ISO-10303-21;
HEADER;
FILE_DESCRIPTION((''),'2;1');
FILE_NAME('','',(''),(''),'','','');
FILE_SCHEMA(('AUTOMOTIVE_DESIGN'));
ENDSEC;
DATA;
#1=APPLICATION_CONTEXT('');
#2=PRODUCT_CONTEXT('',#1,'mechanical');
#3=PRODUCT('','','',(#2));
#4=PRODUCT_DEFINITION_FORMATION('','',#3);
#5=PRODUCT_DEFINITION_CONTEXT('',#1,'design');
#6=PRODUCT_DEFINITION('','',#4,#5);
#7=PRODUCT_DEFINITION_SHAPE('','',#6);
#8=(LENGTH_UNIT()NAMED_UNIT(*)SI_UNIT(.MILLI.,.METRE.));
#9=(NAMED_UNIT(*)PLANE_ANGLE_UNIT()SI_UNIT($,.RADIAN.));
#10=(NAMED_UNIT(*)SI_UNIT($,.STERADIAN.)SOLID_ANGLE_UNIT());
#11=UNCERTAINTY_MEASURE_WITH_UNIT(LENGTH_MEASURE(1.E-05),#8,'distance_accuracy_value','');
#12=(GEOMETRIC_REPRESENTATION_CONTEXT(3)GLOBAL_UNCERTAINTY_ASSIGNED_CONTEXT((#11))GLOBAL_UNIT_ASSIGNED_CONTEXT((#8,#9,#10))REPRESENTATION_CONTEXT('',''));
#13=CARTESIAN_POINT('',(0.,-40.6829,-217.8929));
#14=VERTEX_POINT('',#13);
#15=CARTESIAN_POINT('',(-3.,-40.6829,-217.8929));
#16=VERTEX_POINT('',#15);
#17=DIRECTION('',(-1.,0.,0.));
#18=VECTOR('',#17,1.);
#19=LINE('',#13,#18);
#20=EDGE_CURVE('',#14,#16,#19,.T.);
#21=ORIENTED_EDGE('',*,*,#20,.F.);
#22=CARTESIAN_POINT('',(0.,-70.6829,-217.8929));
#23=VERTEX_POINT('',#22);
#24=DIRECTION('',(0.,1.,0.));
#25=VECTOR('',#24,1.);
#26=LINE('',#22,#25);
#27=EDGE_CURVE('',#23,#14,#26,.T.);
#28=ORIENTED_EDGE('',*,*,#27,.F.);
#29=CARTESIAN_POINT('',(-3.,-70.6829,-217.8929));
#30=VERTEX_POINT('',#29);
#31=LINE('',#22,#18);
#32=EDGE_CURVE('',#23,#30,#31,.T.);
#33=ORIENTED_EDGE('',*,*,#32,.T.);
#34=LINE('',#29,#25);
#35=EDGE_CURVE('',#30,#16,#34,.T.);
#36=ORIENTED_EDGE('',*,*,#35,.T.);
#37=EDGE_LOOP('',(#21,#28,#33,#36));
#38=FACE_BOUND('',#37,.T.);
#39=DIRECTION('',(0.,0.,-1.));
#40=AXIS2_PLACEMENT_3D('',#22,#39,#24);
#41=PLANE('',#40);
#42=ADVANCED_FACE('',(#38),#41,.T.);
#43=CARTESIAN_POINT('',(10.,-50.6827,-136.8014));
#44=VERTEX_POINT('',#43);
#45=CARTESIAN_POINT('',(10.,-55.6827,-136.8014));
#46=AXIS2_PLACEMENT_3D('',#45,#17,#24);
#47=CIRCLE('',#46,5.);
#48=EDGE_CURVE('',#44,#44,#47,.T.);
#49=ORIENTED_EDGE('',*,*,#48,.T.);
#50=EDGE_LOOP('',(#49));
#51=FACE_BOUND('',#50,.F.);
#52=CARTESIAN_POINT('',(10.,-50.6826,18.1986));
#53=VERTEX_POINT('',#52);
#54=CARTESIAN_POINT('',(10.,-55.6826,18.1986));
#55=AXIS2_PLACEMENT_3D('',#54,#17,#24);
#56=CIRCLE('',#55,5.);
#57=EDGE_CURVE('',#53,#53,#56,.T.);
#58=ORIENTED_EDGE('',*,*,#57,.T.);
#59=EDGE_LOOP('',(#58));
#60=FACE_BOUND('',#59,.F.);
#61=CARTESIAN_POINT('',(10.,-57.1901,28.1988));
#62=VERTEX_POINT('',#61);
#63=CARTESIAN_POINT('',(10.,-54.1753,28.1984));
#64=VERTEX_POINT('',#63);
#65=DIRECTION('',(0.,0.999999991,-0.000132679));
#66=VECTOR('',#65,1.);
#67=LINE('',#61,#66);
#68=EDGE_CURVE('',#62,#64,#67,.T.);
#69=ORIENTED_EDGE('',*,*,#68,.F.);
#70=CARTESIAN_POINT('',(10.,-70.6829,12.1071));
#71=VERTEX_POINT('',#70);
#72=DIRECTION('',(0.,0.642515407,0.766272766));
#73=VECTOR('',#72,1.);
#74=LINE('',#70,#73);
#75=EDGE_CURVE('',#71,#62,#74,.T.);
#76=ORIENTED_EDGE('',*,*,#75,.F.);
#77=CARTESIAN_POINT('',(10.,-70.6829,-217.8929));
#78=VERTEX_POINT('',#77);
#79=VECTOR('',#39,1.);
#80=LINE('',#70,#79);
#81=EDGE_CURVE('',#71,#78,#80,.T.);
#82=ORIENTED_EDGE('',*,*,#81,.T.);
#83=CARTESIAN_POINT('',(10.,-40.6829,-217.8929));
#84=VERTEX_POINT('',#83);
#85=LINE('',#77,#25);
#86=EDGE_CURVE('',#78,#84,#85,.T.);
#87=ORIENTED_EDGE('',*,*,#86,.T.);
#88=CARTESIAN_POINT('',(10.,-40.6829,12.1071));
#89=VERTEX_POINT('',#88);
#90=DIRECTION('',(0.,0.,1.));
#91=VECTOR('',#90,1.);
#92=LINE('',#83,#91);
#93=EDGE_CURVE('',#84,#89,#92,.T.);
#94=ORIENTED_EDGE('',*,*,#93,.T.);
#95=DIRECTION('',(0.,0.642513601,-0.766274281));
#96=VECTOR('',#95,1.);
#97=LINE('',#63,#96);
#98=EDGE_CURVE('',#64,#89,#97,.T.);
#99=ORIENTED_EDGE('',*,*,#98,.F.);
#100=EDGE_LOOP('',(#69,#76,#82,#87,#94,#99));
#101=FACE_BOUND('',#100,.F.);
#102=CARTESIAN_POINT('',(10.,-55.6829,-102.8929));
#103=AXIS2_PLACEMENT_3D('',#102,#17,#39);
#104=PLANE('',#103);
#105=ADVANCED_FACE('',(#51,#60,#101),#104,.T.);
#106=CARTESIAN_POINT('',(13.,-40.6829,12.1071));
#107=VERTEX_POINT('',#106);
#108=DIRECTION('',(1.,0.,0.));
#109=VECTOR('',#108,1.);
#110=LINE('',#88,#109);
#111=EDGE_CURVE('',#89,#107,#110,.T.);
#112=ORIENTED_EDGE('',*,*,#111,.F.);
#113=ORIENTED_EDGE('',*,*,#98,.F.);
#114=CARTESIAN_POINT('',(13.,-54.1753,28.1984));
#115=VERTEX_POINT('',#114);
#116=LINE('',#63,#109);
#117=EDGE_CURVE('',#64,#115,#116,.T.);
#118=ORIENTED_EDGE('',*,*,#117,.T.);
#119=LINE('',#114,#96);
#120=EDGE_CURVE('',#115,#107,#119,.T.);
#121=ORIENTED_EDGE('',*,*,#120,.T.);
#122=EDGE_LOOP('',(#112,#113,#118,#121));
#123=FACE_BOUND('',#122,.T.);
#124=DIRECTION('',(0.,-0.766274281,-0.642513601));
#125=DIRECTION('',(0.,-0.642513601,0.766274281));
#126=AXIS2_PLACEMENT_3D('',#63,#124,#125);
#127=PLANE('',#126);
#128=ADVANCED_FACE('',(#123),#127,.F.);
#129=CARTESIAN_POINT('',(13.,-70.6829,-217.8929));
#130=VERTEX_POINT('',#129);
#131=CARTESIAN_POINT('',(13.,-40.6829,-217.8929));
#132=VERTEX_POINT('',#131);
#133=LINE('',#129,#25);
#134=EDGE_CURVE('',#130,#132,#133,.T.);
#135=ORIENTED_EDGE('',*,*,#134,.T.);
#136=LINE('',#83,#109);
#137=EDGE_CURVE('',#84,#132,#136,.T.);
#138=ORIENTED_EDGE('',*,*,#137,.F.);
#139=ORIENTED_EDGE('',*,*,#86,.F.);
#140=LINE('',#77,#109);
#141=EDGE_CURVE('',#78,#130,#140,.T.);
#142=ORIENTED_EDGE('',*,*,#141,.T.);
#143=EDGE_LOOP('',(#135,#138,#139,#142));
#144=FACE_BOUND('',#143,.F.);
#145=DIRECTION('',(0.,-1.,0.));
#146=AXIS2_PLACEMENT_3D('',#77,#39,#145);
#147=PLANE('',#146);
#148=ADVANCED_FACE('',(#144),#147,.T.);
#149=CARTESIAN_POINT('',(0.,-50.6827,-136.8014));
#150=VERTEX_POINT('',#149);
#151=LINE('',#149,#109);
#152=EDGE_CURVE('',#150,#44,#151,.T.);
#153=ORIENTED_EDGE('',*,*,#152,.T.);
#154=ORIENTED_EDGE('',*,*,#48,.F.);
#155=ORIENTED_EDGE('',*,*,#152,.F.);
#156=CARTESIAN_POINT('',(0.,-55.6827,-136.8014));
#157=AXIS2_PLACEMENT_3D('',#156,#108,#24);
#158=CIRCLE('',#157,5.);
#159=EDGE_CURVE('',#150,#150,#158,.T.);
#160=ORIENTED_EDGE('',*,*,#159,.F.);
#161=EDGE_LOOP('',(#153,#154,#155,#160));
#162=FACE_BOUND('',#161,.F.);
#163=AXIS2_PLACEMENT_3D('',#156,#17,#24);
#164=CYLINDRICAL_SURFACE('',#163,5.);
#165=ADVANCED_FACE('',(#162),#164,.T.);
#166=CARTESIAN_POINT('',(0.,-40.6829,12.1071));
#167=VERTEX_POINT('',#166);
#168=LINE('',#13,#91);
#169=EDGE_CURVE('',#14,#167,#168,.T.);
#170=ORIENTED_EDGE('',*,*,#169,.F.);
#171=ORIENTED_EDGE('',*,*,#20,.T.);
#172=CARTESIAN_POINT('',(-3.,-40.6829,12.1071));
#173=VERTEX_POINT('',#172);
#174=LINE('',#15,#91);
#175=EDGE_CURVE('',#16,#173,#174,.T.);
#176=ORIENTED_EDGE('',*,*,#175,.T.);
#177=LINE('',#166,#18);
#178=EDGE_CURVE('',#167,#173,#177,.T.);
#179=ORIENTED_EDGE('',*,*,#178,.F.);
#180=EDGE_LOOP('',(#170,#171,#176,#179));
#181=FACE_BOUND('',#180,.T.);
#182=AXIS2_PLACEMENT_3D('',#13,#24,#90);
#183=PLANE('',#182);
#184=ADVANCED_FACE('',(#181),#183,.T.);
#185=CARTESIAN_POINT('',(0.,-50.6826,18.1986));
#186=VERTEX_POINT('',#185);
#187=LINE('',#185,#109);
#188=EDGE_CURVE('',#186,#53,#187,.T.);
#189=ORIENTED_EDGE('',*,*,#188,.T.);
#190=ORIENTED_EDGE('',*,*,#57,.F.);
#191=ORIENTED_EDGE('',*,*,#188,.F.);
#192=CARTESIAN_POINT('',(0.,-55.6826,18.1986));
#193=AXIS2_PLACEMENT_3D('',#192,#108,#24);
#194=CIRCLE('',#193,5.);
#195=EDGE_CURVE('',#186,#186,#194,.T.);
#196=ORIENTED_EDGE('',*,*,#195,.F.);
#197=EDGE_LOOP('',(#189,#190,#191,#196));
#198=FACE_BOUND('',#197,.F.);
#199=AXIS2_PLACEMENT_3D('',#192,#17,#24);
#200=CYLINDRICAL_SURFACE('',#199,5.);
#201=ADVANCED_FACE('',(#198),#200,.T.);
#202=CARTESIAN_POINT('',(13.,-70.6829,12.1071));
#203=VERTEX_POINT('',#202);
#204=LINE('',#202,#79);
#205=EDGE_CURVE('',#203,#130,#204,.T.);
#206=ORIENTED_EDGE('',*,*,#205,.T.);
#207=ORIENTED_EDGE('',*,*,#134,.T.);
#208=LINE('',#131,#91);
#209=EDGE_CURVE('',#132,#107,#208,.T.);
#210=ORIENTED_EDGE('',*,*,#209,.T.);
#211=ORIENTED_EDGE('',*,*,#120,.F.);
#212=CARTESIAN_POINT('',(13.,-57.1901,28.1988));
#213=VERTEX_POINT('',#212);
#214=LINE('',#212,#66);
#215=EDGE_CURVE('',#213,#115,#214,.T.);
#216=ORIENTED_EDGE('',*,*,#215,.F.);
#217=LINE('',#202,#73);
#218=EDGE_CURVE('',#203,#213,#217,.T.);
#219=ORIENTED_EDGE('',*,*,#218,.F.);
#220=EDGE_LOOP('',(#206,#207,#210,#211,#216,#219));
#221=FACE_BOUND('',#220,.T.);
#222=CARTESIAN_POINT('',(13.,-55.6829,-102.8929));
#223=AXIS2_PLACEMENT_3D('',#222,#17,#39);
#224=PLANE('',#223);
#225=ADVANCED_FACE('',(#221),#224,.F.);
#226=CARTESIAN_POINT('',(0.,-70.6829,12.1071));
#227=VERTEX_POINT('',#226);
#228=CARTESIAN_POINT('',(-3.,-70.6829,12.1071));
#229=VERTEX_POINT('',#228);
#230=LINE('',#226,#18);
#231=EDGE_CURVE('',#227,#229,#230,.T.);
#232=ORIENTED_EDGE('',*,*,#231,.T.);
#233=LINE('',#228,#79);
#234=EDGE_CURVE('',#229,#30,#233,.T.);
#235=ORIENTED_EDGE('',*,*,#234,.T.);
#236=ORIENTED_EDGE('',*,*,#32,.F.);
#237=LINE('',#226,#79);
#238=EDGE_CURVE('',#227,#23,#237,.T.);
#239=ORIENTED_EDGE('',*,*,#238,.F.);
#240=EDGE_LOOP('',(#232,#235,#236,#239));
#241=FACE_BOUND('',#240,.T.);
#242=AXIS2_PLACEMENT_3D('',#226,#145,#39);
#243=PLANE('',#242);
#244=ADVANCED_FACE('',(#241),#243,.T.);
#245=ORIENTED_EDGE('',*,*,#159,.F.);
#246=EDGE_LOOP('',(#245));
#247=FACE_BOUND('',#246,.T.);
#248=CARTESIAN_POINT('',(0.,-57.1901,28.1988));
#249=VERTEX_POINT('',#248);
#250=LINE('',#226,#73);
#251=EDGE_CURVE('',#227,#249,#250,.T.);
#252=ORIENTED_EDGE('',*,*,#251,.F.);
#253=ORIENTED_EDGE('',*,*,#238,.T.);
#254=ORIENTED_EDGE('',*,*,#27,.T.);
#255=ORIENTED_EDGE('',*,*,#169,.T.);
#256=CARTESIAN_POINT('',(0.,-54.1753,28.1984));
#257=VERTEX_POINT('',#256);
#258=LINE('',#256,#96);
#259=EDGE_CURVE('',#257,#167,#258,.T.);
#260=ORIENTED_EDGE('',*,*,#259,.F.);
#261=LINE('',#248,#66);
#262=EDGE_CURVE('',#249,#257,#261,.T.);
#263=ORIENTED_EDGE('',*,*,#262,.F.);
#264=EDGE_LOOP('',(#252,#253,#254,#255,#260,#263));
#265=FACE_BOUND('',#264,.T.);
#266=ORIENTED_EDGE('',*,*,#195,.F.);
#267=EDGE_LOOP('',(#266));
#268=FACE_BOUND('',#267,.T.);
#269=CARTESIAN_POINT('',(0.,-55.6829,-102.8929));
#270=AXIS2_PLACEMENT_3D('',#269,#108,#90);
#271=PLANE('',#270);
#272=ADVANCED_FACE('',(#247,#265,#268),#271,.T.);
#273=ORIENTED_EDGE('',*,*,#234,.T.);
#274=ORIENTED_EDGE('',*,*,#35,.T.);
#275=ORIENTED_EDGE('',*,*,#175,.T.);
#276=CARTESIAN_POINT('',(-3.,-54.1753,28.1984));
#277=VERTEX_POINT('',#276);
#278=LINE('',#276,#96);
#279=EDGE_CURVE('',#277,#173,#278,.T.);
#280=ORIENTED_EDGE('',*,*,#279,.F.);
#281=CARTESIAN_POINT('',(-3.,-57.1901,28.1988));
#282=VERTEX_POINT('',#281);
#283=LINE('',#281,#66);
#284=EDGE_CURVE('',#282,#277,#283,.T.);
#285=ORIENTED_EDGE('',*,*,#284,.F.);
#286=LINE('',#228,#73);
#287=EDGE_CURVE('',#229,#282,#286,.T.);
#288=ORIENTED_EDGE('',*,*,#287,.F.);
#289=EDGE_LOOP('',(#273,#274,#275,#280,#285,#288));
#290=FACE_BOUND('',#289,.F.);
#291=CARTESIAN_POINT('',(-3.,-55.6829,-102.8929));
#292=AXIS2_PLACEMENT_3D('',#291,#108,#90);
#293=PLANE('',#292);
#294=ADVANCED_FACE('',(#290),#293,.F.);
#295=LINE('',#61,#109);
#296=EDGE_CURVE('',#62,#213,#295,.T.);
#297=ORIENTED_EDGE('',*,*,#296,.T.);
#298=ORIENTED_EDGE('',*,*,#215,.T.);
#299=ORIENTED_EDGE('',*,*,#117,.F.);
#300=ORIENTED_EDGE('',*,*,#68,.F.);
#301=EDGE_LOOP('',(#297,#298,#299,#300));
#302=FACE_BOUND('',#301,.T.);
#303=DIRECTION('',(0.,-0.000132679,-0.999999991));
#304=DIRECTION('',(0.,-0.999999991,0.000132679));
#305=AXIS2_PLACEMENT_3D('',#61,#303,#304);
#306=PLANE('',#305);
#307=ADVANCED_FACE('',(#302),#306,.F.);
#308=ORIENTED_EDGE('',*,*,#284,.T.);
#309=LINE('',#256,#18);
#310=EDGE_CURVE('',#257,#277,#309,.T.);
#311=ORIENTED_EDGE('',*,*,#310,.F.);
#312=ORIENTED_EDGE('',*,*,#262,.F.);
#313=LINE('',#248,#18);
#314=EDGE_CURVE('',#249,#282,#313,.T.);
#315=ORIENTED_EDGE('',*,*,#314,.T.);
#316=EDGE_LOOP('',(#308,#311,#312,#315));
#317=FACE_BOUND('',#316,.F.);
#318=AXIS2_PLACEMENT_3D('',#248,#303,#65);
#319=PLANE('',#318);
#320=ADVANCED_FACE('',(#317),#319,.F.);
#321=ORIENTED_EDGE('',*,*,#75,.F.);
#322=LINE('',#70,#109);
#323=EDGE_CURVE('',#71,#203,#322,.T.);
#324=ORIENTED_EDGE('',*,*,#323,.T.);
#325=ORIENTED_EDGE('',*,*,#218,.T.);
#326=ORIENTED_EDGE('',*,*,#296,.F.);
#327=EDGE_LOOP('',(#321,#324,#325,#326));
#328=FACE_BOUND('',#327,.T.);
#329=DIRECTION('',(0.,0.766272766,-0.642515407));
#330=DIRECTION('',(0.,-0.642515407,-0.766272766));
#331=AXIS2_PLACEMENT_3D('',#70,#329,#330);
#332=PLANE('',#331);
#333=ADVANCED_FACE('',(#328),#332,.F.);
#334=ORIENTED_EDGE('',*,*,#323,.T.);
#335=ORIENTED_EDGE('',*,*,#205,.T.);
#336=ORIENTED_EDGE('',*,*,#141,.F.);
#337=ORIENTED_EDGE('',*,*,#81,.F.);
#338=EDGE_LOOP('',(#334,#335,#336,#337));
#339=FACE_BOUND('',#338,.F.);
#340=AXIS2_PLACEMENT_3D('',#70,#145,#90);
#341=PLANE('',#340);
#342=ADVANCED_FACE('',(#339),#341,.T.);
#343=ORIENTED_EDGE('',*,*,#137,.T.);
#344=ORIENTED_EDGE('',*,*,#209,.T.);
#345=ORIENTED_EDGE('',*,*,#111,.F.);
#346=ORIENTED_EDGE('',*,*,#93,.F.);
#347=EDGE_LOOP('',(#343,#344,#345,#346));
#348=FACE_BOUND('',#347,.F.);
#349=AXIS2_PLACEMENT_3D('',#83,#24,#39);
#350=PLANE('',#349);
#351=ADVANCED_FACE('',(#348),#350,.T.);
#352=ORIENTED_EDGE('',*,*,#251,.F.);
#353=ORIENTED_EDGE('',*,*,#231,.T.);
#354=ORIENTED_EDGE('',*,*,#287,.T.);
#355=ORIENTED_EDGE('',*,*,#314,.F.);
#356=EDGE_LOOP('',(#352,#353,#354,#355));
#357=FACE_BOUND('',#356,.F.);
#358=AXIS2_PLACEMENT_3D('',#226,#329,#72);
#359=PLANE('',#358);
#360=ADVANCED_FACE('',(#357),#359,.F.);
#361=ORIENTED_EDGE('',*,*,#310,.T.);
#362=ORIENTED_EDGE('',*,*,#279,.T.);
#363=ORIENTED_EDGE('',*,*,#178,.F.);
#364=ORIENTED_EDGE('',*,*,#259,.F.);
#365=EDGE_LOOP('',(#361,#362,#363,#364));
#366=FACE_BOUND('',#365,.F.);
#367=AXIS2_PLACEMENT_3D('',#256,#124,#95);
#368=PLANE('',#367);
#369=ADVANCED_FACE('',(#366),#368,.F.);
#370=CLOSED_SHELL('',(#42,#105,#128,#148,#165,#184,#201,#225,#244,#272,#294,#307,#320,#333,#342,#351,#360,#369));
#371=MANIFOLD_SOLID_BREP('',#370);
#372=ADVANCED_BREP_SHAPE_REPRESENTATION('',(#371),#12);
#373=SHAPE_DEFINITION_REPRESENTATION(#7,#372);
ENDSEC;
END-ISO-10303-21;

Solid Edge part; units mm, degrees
sketch "Sketch1" plane through (0, 0, 0) normal (1, 0, 0) x (0, 1, 0)
  line L0 (-70.6829, -217.8929) -> (-40.6829, -217.8929)
  line L1 (-40.6829, -217.8929) -> (-40.6829, 12.1071)
  line L2 (-40.6829, 12.1071) -> (-70.6829, 12.1071)
  line L3 (-70.6829, 12.1071) -> (-70.6829, -217.8929)
  line L4 (-70.6829, 12.1071) -> (-40.6829, 12.1071)
  line L5 (-54.1753, 28.1984) -> (-40.6829, 12.1071)
  line L6 (-57.1901, 28.1988) -> (-54.1753, 28.1984)
  line L7 (-70.6829, 12.1071) -> (-57.1901, 28.1988)
  dimension "D1" = 30
  dimension "D2" = 20.9994
  dimension "D3" = 21
  dimension "D4" = 230
  dimension "D5" = 30
extrude "Protrusion1" add sketch "Sketch1" against normal blind 3
sketch "Sketch2" plane through (0, -21.8205, 20.1807) normal (1, 0, 0) x (0, 1, 0)
  circle A0 centre (-33.8622, -156.9821) radius 5
  circle A1 centre (-33.8621, -1.9821) radius 5
  dimension "D1" = 9.9998
  dimension "D2" = 155
extrude "ExtrudedProtrusion_2" add sketch "Sketch2" along normal blind 11
mirror "Mirror1" about plane through (5, -21.8205, 20.1506) normal (1, 0, 0) of "Protrusion1"
